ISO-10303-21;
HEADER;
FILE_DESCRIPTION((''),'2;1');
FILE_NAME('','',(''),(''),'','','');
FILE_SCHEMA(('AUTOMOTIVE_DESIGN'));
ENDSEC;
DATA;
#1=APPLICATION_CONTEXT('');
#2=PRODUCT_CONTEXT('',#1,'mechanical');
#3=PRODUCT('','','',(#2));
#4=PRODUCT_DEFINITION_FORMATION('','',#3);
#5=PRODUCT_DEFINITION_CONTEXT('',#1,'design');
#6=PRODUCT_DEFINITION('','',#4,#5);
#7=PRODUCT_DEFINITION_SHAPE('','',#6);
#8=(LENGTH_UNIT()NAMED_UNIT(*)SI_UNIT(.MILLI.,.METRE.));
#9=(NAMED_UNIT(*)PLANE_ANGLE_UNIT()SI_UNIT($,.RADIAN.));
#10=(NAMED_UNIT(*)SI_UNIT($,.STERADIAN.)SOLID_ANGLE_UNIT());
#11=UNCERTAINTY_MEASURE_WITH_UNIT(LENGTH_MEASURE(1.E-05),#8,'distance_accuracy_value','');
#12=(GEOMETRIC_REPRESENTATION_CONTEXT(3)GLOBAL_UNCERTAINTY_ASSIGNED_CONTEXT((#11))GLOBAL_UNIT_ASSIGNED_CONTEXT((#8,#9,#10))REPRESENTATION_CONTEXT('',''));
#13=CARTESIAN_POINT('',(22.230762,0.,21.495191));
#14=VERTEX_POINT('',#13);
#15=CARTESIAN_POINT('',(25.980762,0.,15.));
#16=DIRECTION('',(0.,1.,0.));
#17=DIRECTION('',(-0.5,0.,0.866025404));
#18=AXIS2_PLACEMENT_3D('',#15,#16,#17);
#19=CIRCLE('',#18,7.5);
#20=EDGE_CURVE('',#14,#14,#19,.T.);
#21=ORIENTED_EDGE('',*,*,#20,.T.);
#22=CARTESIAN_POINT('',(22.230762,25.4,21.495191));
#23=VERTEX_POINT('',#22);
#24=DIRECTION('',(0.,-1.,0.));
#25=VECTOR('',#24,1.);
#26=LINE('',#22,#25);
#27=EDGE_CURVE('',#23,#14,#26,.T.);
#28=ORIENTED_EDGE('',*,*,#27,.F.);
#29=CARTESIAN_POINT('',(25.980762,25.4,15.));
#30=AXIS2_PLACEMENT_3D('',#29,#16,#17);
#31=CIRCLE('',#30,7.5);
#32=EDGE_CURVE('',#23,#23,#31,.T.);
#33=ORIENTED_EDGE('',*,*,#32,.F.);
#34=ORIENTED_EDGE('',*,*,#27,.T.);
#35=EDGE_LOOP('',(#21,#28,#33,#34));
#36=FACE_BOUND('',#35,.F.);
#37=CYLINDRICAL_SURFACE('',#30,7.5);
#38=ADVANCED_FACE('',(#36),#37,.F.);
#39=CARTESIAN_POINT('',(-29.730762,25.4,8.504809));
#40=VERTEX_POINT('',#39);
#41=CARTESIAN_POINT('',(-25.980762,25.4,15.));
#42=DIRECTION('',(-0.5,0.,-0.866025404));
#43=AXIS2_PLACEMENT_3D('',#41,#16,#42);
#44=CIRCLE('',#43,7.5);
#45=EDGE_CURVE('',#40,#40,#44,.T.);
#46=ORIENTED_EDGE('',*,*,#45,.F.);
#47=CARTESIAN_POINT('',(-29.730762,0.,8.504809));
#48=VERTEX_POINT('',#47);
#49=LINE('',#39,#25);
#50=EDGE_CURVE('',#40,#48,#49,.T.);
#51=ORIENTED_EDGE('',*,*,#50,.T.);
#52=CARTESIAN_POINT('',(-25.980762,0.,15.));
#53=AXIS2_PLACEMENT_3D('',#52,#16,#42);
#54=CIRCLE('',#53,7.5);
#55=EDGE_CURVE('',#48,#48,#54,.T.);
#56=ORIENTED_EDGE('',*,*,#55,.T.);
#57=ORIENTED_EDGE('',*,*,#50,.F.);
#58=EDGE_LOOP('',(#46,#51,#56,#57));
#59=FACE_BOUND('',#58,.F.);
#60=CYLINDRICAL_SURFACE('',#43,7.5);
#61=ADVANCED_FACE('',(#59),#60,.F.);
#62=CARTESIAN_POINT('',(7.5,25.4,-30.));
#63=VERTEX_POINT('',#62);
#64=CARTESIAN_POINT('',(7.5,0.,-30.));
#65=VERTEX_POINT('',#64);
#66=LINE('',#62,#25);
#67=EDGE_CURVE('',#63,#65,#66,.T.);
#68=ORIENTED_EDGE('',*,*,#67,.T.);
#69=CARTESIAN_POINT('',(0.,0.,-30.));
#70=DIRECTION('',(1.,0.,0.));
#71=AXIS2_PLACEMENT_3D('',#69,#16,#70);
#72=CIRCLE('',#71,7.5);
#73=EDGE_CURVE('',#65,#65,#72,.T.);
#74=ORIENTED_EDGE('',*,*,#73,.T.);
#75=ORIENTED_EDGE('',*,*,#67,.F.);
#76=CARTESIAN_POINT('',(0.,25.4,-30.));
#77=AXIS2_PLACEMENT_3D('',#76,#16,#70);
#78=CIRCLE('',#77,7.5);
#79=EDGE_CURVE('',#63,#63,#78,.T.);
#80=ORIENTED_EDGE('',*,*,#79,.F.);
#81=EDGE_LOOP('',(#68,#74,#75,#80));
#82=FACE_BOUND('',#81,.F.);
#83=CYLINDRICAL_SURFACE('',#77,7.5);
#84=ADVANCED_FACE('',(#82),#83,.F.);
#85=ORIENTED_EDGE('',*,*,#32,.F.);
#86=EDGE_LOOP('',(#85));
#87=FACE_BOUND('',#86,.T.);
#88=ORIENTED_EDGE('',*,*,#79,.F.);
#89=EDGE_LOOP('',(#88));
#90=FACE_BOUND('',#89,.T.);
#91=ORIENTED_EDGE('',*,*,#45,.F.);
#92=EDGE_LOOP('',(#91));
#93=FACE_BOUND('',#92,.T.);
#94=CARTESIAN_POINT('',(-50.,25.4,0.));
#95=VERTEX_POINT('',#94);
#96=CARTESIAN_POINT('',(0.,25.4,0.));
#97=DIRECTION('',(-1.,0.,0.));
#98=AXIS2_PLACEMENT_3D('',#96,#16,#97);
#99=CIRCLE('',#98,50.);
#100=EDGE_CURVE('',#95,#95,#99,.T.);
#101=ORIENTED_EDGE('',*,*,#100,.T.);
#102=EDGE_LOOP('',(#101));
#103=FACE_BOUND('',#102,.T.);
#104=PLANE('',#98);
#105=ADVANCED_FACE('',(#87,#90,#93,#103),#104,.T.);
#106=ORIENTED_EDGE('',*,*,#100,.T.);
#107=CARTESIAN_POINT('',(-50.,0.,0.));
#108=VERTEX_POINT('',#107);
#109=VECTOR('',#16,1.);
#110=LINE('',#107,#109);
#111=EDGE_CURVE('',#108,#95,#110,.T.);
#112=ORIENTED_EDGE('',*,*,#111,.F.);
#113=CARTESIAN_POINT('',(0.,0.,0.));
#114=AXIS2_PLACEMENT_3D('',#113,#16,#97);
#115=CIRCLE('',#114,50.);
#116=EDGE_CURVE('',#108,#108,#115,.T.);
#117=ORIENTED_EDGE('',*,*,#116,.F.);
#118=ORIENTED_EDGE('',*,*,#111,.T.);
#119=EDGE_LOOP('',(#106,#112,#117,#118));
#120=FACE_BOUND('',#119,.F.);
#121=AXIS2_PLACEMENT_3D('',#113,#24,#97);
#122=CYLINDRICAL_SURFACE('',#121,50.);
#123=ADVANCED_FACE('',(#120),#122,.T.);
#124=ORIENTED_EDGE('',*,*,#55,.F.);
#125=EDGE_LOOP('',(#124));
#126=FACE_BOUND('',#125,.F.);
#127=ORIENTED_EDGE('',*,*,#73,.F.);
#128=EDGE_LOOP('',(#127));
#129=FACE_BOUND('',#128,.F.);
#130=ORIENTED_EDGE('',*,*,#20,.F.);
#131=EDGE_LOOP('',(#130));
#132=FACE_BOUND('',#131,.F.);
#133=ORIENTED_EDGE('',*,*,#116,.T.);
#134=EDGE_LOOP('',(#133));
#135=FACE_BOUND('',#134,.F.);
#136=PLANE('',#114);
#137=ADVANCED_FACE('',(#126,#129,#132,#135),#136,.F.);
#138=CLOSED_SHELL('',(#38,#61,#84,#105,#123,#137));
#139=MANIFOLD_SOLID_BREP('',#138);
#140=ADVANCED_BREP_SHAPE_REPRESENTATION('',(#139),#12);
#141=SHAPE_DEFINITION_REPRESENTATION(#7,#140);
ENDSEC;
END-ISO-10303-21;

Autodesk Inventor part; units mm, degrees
ref_plane "YZ Plane" through (0, 0, 0) normal (1, 0, 0) x (0, 1, 0)
ref_plane "XZ Plane" through (0, 0, 0) normal (0, 1, 0) x (-1, 0, 0)
ref_plane "XY Plane" through (0, 0, 0) normal (0, 0, 1) x (1, 0, 0)
sketch "Sketch1" plane through (0, 0, 0) normal (0, 1, 0) x (-1, 0, 0)
  circle A0 centre (0, 0) radius 50
  dimension "d0" = 100
extrude "Extrusion1" add sketch "Sketch1" along normal blind 25.4
sketch "Sketch2" plane through (0, 25.4, 0) normal (0, 1, 0) x (1, 0, 0)
  circle A0 centre (0, 0) radius 50 projected
  circle A1 centre (0, 30) radius 7.5
  line L0 (0, 30) -> (0, 0) construction
  dimension "d3" = 15
  dimension "d4" = 30
extrude "Extrusion3" cut sketch "Sketch2" against normal through all contours A1
pattern_circular "Circular Pattern1" count 3 over 360 about axis through (0, 0, 0) along (0, 1, 0) of "Extrusion3"
properties part number "hub"
